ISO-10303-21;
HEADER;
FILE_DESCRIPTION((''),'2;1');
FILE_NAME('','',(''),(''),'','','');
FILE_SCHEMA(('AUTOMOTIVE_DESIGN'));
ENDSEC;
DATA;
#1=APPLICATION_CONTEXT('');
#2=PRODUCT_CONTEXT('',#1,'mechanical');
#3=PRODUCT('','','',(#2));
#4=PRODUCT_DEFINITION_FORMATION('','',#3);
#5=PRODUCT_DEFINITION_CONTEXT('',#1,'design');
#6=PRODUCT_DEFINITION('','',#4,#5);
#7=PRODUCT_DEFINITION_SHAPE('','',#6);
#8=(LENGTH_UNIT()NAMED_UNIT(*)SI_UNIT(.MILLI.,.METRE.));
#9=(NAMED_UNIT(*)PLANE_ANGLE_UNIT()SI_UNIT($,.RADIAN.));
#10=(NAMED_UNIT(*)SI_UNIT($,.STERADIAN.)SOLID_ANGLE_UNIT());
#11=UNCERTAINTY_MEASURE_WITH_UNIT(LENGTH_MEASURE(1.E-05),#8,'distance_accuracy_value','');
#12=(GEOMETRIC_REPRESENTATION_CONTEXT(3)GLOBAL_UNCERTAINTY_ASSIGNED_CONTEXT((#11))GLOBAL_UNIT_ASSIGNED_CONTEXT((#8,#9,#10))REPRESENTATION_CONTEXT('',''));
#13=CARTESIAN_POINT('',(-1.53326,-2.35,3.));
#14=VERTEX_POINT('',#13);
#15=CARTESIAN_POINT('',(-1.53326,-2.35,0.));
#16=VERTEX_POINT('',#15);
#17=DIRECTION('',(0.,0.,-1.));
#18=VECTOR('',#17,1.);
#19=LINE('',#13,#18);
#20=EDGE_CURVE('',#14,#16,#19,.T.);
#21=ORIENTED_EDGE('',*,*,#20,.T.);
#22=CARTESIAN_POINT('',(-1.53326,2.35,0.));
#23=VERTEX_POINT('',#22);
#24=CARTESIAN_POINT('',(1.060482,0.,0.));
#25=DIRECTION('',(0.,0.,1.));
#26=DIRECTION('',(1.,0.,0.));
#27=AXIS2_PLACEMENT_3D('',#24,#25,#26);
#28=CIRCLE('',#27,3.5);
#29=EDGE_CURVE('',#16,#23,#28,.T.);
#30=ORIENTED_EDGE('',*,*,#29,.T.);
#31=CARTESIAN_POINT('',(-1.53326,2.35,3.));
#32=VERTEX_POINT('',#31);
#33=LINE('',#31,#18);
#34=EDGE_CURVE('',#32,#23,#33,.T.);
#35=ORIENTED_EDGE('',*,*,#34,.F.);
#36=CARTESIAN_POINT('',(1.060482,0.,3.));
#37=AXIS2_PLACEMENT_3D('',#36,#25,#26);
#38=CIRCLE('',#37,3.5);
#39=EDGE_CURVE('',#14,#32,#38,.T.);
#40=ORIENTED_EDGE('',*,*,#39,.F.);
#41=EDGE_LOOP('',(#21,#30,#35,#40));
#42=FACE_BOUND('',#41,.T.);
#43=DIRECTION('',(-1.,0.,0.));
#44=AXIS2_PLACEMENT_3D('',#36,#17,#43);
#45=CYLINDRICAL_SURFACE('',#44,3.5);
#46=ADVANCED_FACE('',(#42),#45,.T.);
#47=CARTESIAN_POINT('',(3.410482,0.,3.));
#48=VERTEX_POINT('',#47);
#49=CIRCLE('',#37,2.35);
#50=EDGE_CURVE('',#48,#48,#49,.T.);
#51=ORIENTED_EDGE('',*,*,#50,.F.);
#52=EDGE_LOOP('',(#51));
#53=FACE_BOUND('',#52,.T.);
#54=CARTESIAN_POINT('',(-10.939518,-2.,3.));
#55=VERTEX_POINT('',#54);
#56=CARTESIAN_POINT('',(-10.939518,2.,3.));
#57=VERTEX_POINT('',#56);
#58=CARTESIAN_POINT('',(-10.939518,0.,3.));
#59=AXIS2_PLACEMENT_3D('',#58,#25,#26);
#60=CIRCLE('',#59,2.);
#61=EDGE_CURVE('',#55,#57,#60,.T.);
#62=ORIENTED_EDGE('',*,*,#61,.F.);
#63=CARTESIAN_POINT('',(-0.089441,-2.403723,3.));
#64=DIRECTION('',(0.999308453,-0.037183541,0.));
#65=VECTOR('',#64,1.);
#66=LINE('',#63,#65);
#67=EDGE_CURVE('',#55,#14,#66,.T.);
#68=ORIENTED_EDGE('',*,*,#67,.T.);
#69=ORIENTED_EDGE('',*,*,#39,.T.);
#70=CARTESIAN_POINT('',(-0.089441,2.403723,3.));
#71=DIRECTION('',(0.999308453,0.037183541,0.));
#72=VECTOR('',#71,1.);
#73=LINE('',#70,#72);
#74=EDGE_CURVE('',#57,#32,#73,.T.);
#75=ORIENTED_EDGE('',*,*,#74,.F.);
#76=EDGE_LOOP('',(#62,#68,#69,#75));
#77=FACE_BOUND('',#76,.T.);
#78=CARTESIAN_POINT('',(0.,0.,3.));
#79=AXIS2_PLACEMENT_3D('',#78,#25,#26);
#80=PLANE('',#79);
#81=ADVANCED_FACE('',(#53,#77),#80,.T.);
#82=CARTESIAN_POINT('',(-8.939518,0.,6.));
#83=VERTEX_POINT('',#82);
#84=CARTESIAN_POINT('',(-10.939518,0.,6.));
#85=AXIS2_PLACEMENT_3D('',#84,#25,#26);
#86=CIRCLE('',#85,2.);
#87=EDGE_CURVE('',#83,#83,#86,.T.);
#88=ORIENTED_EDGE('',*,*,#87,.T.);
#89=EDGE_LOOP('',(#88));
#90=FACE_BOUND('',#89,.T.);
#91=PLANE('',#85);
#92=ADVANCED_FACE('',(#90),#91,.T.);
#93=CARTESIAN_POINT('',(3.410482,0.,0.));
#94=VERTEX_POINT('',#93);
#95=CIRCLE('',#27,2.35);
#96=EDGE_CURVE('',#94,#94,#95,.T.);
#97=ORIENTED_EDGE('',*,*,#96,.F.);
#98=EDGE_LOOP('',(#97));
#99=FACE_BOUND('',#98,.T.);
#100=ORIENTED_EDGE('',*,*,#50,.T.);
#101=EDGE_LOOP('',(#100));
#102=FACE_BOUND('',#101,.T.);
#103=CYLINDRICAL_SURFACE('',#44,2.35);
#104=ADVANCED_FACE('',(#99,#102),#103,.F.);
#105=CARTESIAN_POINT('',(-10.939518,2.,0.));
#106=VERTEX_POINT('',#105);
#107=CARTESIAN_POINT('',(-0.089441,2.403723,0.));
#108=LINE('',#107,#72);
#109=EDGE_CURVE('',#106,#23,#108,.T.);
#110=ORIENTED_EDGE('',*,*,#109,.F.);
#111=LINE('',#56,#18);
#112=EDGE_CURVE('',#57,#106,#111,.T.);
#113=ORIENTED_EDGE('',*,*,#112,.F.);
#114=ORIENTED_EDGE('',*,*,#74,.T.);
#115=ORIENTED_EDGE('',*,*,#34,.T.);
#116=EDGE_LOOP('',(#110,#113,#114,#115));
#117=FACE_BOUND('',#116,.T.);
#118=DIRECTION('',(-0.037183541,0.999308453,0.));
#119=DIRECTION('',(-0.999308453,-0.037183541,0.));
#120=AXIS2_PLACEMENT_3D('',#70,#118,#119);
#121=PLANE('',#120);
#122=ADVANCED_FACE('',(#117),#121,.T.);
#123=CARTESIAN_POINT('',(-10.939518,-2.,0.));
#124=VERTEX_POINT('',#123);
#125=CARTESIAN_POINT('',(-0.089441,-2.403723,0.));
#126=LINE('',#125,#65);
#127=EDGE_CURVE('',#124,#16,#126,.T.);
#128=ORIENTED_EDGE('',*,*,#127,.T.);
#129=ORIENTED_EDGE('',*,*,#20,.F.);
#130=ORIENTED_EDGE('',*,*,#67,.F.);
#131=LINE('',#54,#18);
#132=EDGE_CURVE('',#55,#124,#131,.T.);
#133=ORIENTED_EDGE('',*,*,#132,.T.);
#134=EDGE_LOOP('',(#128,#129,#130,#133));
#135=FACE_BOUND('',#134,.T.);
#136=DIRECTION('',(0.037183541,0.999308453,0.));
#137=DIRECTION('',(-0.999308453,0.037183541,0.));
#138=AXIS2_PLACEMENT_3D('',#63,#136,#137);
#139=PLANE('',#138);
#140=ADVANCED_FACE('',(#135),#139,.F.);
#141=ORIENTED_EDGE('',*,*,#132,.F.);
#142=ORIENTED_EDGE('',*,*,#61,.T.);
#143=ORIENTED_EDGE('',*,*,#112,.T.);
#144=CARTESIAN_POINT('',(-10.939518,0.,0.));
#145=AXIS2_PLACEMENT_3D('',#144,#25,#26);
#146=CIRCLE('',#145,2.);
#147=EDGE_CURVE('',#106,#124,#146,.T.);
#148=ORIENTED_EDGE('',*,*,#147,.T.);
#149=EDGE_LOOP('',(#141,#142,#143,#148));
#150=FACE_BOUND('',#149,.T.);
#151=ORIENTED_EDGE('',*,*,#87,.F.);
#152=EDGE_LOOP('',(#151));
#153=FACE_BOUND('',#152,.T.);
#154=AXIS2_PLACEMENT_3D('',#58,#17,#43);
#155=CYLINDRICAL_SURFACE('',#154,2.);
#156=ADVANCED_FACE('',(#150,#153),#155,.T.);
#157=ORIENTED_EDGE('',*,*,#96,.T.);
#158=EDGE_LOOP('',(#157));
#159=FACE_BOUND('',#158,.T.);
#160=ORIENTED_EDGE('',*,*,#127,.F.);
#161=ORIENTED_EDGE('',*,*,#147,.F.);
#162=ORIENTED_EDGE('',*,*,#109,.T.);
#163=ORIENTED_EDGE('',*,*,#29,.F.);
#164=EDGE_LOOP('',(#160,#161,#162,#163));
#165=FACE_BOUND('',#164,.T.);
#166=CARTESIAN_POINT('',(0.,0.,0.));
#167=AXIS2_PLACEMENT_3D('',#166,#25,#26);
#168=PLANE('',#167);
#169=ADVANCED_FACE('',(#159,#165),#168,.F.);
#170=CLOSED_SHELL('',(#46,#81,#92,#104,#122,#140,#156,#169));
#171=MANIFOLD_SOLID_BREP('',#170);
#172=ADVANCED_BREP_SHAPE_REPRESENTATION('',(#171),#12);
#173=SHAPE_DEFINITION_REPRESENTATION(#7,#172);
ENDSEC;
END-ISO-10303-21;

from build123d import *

# Parameters (mm, degrees)
SKETCH1_R           = 2.35
BOSS_EXTRUDE1_DEPTH = 3
SKETCH2_R           = 2
BOSS_EXTRUDE2_DEPTH = 3


with BuildPart() as part:
    # Sketch1 → Boss-Extrude1 (new body)
    with BuildSketch(Plane.XY):
        with BuildLine():
            Line((-1.533260445, 2.35), (-10.939517975, 2))
            ThreePointArc((-10.939517975, 2), (-12.939517975, 0), (-10.939517975, -2))
            Line((-10.939517975, -2), (-1.533260445, -2.35))
            ThreePointArc((-1.533260445, -2.35), (4.560482025, 0), (-1.533260445, 2.35))
        make_face()
        with Locations((1.060482025, 0)):
            Circle(SKETCH1_R, mode=Mode.SUBTRACT)
    extrude(amount=BOSS_EXTRUDE1_DEPTH)

    # Sketch2 → Boss-Extrude2 (add)
    with BuildSketch(Plane.XY.offset(3)):
        with Locations((-10.939517975, 0)):
            Circle(SKETCH2_R)
    extrude(amount=BOSS_EXTRUDE2_DEPTH)


solid = part.part
